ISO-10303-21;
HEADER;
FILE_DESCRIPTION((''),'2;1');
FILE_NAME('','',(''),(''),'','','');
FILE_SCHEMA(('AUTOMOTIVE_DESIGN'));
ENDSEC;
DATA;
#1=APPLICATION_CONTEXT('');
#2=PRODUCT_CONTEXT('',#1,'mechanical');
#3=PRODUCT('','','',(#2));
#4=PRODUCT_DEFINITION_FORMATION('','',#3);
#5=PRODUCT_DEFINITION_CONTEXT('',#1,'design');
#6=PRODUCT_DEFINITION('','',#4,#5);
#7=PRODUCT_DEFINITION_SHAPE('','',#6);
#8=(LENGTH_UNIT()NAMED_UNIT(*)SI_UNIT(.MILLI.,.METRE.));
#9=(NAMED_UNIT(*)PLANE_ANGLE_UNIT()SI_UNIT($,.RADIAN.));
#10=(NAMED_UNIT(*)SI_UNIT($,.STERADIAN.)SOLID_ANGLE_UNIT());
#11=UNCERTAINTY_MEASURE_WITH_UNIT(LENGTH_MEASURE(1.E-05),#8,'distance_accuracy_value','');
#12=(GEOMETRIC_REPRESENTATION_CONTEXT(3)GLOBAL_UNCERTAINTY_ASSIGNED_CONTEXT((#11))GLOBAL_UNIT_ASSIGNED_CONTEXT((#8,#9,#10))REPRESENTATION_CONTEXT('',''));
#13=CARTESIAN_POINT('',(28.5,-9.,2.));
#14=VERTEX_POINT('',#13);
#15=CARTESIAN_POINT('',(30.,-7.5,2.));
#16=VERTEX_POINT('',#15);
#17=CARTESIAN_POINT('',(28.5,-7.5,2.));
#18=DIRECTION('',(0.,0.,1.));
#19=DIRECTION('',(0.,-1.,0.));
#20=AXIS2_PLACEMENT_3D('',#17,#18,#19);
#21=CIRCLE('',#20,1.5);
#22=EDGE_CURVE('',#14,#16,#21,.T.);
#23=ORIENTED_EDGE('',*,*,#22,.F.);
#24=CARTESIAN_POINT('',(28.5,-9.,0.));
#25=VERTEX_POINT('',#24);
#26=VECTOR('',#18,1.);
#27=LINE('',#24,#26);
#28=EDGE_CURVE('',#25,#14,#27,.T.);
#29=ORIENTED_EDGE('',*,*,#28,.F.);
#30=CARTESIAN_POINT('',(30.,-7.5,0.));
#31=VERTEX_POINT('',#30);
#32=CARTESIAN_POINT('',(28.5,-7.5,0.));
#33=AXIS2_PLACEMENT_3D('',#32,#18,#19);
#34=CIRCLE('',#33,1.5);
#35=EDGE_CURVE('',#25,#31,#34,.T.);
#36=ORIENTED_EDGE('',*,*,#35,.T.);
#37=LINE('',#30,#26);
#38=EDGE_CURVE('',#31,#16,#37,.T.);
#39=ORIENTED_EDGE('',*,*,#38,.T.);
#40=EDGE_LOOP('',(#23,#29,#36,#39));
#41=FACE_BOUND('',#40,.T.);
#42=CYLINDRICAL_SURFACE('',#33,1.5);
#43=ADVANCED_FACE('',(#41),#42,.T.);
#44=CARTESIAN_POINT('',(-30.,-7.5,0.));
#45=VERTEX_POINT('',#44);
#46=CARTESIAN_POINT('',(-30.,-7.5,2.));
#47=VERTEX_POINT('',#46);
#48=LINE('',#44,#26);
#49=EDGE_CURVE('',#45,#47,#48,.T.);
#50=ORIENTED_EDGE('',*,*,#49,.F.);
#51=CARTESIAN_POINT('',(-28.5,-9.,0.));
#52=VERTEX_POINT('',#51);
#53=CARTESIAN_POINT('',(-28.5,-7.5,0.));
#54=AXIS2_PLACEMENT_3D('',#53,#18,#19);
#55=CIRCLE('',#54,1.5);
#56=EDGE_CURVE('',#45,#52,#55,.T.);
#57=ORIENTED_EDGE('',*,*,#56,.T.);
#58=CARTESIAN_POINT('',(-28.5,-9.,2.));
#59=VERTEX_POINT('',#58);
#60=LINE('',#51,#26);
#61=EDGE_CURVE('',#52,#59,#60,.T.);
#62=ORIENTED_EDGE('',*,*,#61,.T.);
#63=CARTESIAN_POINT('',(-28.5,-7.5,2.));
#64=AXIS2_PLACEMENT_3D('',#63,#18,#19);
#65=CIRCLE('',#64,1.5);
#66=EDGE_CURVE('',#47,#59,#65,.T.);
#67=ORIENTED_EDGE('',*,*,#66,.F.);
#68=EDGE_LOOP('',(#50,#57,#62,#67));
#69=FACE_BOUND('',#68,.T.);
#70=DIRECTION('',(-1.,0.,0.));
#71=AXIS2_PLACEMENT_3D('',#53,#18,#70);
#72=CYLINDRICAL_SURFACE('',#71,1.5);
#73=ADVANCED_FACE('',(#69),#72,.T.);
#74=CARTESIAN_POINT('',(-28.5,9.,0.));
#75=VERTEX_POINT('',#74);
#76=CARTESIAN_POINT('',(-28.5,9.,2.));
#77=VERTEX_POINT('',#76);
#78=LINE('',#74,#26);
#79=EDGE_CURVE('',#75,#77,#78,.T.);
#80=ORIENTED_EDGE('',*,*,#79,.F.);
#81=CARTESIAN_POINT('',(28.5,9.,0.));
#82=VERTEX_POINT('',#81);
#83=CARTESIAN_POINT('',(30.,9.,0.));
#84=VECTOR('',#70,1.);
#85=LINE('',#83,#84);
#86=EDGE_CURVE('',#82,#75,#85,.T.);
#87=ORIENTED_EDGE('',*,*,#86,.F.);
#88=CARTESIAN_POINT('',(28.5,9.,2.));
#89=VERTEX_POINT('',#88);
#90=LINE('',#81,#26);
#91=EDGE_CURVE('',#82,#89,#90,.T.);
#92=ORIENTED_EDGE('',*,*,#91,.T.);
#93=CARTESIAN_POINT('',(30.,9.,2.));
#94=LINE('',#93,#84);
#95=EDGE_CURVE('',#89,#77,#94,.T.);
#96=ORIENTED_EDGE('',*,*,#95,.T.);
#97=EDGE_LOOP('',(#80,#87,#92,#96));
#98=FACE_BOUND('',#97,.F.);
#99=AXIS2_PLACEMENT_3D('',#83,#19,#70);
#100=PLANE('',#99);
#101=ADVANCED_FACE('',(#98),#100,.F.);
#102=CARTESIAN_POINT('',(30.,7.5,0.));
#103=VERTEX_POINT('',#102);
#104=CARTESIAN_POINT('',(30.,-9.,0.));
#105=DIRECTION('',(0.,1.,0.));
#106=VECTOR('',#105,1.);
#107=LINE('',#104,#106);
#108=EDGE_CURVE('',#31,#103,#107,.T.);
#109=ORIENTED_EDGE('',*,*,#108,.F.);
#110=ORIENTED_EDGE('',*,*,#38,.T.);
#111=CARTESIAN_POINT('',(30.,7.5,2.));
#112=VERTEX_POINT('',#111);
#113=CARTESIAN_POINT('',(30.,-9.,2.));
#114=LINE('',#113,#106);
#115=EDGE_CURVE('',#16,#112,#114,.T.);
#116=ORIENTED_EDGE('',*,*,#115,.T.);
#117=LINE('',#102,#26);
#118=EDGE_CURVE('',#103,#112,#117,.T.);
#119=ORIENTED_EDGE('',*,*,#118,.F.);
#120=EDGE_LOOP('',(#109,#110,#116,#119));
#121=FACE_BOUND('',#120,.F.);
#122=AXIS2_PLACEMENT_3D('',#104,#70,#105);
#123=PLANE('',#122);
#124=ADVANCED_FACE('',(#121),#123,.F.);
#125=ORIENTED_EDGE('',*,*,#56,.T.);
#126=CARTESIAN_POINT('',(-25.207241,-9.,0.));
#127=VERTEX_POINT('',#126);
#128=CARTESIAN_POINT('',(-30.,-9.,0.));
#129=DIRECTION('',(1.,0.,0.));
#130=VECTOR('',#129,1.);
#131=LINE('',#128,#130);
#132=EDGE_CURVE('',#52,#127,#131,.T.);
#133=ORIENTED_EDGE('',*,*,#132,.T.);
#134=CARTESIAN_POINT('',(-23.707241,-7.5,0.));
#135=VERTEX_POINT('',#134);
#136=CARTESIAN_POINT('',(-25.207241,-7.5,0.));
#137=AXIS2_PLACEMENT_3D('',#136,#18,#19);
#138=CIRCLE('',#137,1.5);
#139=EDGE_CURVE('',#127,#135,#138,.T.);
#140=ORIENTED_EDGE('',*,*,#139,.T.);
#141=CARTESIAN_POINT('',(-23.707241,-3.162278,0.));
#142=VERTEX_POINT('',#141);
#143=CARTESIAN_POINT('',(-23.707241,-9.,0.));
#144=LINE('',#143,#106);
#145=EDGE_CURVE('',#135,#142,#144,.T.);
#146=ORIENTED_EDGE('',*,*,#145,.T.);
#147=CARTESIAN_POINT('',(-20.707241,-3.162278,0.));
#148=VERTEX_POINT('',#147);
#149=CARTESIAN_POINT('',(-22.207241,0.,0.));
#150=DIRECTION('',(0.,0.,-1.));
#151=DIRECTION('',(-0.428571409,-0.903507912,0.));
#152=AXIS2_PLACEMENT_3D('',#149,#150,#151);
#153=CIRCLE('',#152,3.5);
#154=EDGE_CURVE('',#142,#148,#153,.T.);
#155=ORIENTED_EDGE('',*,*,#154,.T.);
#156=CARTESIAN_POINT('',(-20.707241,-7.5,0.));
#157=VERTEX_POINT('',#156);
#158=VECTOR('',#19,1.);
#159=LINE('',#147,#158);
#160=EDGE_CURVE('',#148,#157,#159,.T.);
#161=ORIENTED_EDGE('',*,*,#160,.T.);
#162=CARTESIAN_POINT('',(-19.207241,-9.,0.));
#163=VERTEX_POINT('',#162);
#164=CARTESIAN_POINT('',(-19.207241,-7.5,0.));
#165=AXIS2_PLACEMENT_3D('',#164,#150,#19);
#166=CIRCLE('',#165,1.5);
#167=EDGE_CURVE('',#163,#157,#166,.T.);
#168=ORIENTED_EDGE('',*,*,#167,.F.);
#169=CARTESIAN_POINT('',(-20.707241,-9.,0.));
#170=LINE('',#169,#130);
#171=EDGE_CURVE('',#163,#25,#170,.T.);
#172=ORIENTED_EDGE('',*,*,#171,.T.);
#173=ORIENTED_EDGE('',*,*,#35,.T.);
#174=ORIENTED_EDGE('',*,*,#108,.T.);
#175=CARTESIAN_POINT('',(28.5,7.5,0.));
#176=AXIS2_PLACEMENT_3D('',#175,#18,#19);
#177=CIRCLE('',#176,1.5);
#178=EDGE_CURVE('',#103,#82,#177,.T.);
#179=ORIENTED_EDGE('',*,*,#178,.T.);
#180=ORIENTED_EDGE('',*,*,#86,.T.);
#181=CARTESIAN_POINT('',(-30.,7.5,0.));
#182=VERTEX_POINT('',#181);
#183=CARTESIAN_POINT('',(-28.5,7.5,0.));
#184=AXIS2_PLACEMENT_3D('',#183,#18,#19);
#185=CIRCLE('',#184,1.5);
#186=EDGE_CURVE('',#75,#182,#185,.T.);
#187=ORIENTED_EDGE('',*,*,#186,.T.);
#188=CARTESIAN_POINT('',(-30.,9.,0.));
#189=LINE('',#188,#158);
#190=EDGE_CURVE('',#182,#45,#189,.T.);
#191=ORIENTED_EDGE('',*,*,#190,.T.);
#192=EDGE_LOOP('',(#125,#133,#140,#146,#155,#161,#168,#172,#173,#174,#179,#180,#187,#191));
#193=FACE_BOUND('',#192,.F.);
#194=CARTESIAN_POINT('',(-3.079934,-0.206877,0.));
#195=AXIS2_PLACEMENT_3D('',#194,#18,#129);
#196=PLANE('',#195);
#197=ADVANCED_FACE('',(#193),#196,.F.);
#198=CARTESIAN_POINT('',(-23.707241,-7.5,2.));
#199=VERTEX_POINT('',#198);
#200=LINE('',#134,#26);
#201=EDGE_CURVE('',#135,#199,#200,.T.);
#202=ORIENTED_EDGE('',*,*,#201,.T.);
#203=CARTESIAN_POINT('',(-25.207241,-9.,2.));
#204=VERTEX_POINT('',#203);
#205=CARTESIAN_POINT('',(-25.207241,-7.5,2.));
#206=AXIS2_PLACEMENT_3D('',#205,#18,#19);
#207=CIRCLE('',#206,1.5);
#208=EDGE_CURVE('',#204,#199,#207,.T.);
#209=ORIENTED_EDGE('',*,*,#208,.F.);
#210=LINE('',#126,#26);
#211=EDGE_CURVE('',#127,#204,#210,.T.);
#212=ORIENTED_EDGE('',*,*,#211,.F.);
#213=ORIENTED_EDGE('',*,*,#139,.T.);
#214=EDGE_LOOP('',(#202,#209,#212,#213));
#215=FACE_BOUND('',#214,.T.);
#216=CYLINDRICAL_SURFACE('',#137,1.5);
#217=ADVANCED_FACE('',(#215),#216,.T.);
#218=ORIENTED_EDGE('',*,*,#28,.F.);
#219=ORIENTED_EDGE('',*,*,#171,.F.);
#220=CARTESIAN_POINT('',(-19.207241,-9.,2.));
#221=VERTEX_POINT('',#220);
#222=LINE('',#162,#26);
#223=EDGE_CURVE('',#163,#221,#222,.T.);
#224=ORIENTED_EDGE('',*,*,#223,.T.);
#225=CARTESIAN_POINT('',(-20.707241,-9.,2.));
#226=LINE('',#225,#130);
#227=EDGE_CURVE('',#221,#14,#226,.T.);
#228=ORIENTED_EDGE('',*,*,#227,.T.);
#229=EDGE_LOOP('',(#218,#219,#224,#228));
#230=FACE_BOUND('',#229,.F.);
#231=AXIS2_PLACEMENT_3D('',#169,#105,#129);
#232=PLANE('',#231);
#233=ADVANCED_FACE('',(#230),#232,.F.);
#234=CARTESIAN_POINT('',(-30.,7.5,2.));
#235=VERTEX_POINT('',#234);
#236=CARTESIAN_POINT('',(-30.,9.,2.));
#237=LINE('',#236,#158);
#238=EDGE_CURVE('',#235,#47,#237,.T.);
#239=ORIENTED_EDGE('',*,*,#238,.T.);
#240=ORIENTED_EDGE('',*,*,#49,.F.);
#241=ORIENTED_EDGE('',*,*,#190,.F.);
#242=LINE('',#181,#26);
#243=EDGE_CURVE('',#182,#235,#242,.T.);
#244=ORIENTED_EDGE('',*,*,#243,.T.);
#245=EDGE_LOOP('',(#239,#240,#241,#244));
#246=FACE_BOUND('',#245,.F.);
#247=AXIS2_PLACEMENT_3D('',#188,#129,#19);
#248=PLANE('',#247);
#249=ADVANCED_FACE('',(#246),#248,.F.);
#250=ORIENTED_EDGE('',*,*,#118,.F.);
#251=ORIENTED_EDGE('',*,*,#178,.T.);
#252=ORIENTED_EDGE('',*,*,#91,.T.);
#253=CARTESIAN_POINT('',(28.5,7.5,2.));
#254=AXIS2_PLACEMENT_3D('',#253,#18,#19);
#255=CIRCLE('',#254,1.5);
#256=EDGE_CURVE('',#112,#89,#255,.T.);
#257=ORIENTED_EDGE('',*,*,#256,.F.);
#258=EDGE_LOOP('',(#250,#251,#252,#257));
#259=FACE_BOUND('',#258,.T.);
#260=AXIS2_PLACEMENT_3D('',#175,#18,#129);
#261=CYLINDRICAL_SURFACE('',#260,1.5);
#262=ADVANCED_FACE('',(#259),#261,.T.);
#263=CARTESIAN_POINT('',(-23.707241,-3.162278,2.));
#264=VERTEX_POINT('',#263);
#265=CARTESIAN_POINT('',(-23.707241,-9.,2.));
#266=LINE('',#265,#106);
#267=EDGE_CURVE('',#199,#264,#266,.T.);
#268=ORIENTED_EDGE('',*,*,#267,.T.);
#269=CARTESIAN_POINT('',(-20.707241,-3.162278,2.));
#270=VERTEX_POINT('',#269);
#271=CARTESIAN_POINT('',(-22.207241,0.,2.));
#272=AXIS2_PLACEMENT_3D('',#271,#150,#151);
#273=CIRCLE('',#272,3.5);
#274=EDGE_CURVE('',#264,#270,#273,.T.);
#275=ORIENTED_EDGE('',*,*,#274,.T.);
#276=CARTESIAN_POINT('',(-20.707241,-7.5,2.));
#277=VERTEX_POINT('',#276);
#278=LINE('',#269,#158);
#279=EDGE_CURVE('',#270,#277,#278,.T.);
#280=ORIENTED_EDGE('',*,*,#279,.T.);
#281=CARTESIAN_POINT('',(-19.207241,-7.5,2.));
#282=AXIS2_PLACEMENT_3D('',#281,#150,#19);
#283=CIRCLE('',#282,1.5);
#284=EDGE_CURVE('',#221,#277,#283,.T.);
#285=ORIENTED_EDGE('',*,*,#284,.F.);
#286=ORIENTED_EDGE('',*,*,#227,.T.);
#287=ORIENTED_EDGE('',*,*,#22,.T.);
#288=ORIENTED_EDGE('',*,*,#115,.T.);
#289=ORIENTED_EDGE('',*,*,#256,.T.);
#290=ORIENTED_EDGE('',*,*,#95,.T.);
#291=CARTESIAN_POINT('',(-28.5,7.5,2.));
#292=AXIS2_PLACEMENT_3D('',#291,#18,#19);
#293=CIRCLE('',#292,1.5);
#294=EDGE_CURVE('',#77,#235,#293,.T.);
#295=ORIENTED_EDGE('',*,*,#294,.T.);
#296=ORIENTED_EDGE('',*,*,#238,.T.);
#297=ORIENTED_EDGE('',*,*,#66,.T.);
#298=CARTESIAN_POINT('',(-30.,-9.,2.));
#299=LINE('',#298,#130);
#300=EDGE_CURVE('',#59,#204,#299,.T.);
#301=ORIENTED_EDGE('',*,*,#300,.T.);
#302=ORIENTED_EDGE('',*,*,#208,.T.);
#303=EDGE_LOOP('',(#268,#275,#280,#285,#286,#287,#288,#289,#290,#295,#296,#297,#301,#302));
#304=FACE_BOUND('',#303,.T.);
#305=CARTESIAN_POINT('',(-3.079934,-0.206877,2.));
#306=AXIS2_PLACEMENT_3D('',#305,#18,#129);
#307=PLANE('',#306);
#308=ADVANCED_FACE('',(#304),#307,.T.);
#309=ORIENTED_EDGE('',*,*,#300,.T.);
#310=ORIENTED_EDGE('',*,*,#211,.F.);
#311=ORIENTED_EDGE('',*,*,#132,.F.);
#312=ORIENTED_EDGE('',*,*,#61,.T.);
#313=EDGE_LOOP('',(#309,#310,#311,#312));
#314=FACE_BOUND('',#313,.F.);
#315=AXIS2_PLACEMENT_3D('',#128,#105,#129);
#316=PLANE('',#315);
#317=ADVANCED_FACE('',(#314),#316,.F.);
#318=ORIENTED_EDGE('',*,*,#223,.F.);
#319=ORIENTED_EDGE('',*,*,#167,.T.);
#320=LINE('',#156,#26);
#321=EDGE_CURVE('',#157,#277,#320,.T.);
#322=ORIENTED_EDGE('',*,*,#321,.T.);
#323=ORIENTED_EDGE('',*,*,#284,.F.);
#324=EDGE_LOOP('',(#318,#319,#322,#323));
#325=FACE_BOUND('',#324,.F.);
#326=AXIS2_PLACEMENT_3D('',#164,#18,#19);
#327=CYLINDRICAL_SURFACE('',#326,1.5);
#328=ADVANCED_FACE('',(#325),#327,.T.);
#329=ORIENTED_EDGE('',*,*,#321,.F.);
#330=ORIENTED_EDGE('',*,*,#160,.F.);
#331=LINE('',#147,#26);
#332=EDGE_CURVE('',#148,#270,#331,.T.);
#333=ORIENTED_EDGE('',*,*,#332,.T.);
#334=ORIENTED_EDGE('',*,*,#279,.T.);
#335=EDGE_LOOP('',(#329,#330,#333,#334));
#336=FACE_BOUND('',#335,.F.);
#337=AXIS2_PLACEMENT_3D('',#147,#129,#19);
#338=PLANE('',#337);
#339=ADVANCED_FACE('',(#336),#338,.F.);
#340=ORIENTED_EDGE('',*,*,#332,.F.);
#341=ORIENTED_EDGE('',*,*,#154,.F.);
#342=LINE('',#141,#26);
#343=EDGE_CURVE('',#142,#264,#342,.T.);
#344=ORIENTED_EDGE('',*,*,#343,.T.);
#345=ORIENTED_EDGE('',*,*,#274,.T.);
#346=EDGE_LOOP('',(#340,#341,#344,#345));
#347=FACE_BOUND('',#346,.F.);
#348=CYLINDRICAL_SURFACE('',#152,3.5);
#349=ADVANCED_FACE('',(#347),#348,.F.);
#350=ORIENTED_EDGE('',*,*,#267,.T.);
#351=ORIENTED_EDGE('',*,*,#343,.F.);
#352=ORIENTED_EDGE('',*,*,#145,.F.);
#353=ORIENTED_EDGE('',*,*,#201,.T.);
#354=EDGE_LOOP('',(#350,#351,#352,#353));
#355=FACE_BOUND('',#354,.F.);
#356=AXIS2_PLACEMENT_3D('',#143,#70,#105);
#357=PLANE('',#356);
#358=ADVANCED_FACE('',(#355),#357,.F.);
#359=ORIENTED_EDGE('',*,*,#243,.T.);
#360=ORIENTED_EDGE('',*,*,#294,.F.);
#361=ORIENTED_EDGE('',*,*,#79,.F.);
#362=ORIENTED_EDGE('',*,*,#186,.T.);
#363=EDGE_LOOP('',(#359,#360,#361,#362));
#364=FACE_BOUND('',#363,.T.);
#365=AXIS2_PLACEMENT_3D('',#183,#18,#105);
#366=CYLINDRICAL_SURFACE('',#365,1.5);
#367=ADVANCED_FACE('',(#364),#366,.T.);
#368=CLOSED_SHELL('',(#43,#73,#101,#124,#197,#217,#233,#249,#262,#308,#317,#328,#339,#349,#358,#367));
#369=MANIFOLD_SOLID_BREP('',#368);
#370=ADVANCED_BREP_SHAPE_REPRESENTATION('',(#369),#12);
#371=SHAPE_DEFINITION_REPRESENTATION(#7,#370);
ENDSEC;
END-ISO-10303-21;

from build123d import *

# Parameters (mm, degrees)
F1_DEPTH = 2
F2_R     = 1.5


with BuildPart() as f1:
    # F0 (on Top) → F1 (new body)
    with BuildSketch(Plane.XY):
        with BuildLine():
            Line((-20.707241, -9), (30, -9))
            Line((30, -9), (30, 9))
            Line((30, 9), (-30, 9))
            Line((-30, 9), (-30, -9))
            Line((-30, -9), (-23.707241, -9))
            Line((-23.707241, -9), (-23.707241, -3.162278))
            ThreePointArc((-23.707241, -3.162278), (-22.207241, 3.5), (-20.707241, -3.162278))
            Line((-20.707241, -3.162278), (-20.707241, -9))
        make_face()
    extrude(amount=F1_DEPTH)

    # F2
    f2_edges = [f1.edges().sort_by_distance(p)[0] for p in [
        (30, -9, 1),
        (30, 9, 1),
        (-30, -9, 1),
        (-30, 9, 1),
        (-23.707241, -9, 1),
        (-20.707241, -9, 1),
    ]]
    fillet(f2_edges, radius=F2_R)


solid = f1.part
